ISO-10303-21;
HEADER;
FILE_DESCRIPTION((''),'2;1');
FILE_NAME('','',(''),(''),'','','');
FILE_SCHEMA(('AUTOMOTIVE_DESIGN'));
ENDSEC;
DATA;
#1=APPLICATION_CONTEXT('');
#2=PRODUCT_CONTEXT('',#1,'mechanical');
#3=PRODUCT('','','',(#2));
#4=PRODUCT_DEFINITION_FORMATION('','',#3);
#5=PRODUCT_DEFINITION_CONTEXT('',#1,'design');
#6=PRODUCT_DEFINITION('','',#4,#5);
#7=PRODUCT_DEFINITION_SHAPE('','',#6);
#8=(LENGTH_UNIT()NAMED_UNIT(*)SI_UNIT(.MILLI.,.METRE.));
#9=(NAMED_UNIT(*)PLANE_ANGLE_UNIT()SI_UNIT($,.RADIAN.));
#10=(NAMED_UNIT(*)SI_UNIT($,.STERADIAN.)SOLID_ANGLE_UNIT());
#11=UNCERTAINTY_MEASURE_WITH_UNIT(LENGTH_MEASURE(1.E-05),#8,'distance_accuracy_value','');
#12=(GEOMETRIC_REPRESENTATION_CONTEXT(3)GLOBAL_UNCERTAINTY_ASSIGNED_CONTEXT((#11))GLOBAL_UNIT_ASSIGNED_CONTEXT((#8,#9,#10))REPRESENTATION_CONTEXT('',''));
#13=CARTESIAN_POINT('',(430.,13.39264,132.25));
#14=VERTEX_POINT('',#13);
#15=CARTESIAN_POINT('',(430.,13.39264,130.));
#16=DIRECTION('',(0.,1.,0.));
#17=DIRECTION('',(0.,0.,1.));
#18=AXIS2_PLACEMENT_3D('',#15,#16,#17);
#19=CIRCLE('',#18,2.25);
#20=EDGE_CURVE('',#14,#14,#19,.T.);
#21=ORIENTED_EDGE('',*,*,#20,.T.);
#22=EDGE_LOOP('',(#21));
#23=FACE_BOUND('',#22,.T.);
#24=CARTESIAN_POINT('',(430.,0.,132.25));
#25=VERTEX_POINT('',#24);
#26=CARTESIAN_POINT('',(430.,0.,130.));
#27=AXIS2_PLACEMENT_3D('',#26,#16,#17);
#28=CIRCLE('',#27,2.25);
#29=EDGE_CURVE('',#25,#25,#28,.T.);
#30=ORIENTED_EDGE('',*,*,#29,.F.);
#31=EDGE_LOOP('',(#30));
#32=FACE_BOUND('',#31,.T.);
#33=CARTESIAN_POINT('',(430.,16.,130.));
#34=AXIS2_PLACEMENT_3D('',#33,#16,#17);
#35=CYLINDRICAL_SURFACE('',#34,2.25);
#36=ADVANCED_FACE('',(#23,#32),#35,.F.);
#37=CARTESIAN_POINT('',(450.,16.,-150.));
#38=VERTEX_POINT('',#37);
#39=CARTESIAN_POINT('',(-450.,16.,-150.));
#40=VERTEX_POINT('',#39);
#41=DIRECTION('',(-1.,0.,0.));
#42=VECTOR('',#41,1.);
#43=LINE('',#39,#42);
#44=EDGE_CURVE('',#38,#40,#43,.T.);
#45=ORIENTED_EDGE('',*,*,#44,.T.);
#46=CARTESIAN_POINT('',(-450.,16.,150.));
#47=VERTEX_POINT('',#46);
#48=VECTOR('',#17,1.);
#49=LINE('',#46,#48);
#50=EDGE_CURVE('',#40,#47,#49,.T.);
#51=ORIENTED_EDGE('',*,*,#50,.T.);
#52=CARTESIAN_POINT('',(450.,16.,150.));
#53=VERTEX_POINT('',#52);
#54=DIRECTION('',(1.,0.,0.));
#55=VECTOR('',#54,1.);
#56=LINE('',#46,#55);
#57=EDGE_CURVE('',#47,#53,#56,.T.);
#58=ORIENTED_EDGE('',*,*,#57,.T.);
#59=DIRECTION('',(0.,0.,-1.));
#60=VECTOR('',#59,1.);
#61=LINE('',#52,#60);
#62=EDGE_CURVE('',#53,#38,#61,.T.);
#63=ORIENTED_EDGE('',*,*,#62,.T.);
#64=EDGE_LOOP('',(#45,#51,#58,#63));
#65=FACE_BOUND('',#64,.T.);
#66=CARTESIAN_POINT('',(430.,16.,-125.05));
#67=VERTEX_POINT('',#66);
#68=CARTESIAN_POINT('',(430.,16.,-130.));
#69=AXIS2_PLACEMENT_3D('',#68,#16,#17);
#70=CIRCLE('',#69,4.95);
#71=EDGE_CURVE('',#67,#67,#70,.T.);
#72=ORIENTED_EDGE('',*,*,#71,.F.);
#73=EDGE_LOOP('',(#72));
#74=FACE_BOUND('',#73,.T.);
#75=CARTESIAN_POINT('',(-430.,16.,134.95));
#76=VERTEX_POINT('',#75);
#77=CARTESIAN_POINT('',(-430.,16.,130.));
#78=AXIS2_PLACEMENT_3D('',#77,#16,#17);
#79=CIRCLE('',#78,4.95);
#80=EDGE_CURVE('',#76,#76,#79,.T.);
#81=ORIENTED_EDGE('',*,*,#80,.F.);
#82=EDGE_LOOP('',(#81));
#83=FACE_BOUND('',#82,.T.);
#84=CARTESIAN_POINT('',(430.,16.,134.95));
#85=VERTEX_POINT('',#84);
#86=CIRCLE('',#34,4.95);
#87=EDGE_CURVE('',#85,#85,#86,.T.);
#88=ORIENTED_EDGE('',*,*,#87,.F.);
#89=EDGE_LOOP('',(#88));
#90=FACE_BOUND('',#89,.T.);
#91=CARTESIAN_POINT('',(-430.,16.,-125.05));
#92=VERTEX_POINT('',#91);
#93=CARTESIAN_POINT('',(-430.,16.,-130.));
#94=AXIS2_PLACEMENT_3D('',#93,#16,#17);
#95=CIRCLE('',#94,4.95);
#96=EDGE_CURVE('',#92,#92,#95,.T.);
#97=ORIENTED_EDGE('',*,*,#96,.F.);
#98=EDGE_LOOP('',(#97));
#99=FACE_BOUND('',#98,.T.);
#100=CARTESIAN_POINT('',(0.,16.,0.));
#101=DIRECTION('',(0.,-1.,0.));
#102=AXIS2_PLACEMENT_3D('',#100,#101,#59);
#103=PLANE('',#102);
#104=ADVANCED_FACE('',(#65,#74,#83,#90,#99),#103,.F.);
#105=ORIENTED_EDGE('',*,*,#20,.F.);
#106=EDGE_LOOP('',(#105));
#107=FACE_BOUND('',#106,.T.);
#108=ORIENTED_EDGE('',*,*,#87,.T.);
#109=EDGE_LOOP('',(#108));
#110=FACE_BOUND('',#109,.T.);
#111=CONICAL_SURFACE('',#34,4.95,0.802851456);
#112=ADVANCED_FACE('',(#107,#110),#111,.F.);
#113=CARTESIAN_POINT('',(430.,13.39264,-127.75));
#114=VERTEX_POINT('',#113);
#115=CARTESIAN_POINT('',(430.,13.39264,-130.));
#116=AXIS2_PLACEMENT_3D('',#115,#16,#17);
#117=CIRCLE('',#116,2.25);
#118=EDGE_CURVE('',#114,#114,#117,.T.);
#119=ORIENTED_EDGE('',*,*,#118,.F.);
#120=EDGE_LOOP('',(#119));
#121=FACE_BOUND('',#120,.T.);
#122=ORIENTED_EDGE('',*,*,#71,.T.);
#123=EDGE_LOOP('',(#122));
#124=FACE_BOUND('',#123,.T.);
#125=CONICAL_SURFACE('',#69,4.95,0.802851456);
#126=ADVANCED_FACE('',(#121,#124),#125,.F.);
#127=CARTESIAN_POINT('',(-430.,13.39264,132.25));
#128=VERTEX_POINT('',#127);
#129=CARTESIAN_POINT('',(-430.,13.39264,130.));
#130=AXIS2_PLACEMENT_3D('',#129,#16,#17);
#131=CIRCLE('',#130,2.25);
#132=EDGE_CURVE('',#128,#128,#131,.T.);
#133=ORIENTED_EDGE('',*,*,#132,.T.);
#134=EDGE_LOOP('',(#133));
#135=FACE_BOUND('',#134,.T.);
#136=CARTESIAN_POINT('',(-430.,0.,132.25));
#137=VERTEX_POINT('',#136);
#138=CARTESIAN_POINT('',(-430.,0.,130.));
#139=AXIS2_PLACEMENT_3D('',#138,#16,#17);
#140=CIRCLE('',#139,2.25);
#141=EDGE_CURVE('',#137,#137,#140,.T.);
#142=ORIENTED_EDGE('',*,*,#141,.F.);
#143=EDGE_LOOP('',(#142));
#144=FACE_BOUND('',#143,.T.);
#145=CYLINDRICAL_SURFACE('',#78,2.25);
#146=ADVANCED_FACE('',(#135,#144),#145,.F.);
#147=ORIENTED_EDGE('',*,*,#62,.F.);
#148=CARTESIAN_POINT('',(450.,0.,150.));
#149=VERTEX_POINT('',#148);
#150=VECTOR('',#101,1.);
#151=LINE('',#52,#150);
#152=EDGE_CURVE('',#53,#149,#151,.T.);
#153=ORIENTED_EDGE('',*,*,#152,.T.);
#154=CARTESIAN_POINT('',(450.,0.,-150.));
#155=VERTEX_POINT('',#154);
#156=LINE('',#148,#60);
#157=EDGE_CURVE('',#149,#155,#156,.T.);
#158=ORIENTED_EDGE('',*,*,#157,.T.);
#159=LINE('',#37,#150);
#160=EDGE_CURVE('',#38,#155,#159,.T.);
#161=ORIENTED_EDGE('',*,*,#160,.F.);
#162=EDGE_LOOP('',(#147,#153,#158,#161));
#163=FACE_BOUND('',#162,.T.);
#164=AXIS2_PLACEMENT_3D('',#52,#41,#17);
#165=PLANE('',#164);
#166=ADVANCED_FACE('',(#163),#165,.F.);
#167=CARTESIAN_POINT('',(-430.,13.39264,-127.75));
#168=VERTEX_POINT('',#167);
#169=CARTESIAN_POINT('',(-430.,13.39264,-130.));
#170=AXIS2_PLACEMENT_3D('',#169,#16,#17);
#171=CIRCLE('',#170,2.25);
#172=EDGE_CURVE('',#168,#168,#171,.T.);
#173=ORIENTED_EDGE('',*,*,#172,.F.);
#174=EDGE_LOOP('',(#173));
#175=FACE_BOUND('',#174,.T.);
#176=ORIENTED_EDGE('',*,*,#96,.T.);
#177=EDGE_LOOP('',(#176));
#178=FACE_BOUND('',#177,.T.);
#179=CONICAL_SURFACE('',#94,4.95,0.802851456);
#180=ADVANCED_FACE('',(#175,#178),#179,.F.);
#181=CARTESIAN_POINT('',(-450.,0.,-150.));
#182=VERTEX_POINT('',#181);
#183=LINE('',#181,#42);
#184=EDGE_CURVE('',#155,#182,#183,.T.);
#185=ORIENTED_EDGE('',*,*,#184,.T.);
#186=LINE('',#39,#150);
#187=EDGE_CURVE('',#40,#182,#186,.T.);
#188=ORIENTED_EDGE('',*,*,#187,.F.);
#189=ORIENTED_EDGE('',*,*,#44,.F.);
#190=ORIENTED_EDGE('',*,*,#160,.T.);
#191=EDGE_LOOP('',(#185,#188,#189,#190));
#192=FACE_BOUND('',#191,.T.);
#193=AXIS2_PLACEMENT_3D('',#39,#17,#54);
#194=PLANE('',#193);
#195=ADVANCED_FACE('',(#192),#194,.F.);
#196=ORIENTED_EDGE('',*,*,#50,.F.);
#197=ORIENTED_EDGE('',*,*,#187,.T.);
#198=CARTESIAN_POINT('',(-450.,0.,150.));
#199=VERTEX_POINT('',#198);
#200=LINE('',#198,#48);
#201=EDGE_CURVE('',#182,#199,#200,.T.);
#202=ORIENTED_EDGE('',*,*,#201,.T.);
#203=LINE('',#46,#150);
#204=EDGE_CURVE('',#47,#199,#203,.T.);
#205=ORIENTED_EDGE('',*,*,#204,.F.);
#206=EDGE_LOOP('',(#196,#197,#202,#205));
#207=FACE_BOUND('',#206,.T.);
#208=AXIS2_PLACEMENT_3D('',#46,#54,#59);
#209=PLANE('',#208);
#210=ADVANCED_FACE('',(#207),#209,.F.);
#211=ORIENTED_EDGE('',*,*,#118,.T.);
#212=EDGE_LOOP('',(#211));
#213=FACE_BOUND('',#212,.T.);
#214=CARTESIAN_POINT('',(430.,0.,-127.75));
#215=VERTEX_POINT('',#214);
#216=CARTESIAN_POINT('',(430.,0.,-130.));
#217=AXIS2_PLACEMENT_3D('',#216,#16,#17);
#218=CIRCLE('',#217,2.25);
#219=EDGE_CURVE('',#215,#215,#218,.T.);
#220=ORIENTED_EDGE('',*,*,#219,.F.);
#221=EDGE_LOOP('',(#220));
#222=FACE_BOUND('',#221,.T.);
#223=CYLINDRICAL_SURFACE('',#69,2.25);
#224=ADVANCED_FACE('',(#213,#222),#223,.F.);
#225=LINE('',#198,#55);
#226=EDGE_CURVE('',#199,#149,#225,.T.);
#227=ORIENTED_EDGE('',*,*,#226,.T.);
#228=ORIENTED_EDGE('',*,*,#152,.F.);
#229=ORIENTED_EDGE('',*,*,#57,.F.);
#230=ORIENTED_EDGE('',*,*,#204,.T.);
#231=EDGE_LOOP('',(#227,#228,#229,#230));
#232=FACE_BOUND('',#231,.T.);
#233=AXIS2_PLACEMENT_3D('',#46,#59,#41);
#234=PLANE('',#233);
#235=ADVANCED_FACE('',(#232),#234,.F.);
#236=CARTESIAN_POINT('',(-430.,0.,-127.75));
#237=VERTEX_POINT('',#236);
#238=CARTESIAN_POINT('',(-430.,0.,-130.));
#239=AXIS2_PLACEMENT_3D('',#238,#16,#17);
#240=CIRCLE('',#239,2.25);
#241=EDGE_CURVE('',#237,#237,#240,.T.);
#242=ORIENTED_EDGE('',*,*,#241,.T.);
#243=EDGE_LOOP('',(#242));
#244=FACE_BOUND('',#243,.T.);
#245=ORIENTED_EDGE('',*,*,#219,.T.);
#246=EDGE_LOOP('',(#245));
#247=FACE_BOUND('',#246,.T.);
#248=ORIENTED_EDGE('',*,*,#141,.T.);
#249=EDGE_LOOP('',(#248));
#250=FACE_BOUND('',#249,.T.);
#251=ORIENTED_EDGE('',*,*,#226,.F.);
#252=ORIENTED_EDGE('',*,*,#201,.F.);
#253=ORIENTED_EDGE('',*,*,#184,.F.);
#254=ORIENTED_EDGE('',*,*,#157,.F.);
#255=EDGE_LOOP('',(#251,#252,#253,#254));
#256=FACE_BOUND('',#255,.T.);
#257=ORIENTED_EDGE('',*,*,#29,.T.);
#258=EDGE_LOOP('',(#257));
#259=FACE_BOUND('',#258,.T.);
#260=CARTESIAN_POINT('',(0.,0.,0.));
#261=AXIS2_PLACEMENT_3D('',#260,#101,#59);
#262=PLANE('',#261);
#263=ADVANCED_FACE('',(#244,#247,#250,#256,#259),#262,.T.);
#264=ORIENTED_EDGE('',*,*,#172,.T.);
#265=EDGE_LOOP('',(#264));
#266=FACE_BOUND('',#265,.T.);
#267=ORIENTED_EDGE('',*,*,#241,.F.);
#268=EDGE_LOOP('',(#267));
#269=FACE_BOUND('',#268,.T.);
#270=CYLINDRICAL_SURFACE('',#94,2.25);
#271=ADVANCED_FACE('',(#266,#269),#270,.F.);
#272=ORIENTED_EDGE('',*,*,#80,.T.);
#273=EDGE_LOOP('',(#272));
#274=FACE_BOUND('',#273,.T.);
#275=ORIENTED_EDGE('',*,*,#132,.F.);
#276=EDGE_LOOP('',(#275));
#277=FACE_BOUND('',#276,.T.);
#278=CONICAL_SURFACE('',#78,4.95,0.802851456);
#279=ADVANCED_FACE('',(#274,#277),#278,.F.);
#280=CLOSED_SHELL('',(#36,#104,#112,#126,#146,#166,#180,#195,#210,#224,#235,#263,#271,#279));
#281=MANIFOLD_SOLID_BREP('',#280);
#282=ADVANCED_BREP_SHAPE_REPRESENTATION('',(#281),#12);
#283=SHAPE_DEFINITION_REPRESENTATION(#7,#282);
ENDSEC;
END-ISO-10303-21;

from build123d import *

# Parameters (mm, degrees)
SKETCH_2_W                  = 900
SKETCH_2_H                  = 300
EXTRUDE_1_DEPTH             = 16
CSK_M4_1_D                  = 4.5
CSK_M4_1_CSINK_D            = 9.9
CSK_M4_1_CSINK_ANGLE        = 92
PATTERN_LINEAR_1_COUNT      = 2
PATTERN_LINEAR_1_PITCH      = 860
PATTERN_LINEAR_1_COUNT_DIR2 = 2
PATTERN_LINEAR_1_PITCH_DIR2 = 260


with BuildPart() as part:
    # Эскиз2 → Бобышка-Вытянуть1 (new body)
    with BuildSketch(Plane(origin=(0, 0, 0), x_dir=(1, 0, 0), z_dir=(0, 1, 0))):
        Rectangle(SKETCH_2_W, SKETCH_2_H)
    extrude(amount=EXTRUDE_1_DEPTH)

    # CSK для M4 винта с полупотайной головкой и крестообразным шлицем1 (through all)
    with Locations(Plane(origin=(-430, 16, -130), x_dir=(0, 0, 1), z_dir=(0, 1, 0))):
        with Locations((0, 0)):
            csk_m4_1 = CounterSinkHole(CSK_M4_1_D / 2, CSK_M4_1_CSINK_D / 2, counter_sink_angle=CSK_M4_1_CSINK_ANGLE)

    # Линейный массив1: CSK _ M4 _ _ _ _ _ _ _1 2 × 2
    with Locations(*[(i * PATTERN_LINEAR_1_PITCH, 0, j * PATTERN_LINEAR_1_PITCH_DIR2) for i in range(PATTERN_LINEAR_1_COUNT) for j in range(PATTERN_LINEAR_1_COUNT_DIR2) if (i, j) != (0, 0)]):
        add(csk_m4_1, mode=Mode.SUBTRACT)


solid = part.part
